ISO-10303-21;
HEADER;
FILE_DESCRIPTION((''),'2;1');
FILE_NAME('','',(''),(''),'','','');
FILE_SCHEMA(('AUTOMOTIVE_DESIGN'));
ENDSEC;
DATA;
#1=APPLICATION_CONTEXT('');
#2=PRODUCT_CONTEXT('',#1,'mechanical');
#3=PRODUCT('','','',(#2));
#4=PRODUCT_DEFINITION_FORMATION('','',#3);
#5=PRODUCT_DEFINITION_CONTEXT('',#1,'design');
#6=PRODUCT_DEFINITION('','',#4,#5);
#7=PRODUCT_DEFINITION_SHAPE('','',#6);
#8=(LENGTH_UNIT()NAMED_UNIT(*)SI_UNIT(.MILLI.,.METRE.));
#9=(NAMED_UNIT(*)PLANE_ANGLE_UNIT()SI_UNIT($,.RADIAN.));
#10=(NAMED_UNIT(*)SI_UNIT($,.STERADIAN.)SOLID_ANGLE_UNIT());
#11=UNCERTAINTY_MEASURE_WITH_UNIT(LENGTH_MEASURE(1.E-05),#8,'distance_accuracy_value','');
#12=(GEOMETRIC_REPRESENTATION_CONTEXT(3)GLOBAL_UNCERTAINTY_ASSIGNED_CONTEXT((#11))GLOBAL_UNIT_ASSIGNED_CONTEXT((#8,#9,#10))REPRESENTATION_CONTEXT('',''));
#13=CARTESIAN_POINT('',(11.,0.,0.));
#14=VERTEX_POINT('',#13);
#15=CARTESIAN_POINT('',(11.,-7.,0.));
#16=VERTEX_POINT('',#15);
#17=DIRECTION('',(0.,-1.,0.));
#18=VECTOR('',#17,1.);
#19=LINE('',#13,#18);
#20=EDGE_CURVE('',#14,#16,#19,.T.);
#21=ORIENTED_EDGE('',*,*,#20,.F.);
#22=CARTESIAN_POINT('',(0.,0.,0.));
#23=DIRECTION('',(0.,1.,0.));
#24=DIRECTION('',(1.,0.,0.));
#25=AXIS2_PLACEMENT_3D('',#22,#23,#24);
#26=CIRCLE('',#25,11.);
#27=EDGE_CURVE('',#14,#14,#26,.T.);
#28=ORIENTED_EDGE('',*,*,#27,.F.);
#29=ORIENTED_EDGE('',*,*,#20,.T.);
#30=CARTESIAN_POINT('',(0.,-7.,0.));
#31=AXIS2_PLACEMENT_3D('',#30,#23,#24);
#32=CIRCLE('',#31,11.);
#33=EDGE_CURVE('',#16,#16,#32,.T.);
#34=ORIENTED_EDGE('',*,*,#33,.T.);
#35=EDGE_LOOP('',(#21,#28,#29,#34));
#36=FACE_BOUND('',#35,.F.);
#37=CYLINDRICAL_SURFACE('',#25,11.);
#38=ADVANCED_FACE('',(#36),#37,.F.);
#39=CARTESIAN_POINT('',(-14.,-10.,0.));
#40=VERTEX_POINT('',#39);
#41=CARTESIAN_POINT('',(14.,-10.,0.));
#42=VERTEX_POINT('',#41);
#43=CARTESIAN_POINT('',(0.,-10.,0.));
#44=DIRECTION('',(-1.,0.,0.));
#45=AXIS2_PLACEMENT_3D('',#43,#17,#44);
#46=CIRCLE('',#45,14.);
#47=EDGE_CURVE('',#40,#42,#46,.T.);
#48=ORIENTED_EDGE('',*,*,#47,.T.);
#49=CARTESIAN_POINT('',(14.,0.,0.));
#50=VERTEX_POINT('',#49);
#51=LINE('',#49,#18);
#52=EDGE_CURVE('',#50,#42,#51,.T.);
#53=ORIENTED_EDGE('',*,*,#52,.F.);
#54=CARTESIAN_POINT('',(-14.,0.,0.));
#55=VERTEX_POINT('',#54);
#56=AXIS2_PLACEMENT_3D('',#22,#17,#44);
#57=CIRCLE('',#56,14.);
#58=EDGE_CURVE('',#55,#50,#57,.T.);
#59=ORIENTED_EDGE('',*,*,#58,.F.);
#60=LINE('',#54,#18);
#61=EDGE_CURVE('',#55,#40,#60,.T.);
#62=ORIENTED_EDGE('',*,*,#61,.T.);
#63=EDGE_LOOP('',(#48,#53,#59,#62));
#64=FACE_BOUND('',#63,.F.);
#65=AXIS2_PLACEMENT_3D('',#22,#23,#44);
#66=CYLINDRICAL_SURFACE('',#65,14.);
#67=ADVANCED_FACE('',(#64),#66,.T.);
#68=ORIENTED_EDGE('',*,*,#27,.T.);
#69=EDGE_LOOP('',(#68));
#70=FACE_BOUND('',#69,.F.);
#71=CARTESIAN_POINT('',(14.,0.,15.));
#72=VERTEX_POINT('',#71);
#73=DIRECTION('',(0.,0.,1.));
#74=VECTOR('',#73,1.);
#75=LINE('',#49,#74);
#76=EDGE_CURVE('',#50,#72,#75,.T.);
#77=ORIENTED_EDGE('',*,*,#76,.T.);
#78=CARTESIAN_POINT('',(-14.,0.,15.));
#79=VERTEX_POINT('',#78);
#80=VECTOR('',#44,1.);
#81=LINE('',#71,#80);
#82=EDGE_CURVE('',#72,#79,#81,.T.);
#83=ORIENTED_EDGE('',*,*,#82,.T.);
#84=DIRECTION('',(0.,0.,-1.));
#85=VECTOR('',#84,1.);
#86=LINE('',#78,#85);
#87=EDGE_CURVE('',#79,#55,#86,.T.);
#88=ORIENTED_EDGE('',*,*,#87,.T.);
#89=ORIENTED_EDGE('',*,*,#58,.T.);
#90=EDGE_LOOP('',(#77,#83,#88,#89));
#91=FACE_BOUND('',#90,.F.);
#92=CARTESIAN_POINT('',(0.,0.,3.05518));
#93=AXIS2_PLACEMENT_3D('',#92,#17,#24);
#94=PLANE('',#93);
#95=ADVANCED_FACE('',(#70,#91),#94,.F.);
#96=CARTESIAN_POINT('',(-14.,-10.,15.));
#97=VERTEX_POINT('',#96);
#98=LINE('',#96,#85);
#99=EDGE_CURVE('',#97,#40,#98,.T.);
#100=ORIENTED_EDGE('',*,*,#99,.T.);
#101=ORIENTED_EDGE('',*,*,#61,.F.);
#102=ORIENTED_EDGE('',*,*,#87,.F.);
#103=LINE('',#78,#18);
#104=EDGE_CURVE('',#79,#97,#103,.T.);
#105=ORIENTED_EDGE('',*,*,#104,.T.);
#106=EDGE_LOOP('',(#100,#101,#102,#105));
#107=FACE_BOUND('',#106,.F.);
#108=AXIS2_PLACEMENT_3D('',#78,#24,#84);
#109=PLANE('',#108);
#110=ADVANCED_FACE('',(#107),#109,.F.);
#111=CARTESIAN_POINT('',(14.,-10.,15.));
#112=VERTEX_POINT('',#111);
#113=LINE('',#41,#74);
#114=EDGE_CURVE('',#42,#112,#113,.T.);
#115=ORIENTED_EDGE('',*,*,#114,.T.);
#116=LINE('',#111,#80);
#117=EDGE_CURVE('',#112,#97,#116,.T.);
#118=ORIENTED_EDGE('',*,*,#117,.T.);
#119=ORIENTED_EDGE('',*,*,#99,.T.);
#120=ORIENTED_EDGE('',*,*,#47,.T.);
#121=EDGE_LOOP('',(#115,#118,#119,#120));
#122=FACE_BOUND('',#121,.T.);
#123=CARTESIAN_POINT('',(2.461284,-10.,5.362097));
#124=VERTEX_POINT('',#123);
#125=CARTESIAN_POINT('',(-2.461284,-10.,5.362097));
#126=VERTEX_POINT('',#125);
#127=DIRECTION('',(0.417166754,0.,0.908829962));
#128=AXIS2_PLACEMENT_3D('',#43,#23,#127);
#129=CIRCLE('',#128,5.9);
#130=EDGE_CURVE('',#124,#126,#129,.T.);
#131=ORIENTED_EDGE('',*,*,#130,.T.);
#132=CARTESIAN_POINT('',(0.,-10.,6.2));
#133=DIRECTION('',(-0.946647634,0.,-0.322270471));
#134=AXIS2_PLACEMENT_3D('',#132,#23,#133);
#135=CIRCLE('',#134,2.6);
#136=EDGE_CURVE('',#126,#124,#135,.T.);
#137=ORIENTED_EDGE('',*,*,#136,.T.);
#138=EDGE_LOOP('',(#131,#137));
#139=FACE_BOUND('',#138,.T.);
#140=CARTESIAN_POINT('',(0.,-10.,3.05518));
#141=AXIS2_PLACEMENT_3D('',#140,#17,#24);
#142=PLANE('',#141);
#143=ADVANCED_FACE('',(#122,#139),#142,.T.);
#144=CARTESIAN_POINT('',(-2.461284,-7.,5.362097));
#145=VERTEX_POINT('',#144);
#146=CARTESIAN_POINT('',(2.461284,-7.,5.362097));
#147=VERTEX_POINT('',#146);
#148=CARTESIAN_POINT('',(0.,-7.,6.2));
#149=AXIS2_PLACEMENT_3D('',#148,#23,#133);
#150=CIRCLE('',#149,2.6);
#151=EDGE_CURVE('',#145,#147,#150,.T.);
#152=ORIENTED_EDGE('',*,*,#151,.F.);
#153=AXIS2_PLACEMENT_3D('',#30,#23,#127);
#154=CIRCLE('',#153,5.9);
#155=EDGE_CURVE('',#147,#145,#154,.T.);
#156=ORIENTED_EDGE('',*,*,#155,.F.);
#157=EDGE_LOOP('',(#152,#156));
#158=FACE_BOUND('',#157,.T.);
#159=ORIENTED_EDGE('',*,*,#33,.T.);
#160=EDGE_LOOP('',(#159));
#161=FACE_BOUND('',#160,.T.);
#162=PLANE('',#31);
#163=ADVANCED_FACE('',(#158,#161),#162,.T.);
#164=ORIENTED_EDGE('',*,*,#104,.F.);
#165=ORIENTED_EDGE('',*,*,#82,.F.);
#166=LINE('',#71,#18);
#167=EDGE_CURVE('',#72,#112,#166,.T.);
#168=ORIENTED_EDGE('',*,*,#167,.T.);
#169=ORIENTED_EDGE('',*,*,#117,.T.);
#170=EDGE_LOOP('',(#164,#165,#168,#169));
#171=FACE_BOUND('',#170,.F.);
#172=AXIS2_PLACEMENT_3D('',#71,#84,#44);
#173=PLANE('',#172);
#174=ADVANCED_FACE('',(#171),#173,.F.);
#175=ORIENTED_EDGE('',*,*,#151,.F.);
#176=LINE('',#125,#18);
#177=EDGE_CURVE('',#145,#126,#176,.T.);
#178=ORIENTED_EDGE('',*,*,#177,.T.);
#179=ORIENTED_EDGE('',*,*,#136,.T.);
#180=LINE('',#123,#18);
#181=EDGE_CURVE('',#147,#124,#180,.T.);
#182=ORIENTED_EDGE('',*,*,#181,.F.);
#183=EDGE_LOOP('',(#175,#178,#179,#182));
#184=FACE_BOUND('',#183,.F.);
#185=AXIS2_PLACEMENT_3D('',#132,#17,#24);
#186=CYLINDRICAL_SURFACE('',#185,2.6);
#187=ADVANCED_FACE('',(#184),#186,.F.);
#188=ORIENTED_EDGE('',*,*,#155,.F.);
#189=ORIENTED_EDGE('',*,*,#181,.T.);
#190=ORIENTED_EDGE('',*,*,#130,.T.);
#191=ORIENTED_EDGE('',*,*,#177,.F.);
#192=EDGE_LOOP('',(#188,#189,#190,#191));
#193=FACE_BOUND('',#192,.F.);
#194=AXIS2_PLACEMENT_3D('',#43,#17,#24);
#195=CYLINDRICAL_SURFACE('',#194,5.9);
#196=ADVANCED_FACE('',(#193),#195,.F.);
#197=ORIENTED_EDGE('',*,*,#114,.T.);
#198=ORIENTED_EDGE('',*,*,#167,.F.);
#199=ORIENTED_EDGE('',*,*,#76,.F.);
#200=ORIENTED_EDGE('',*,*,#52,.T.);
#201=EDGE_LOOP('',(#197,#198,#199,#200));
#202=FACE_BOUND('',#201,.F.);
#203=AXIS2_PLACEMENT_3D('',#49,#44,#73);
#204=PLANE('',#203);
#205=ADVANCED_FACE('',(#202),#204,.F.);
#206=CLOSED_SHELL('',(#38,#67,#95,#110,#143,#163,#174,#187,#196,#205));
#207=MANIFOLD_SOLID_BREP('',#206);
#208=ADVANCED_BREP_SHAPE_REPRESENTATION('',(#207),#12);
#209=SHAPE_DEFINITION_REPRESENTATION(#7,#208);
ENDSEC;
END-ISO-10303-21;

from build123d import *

# Parameters (mm, degrees)
PAD_DEPTH       = 10
SKETCH002_R     = 11
POCKET_DEPTH    = 7
SKETCH003_R     = 5.9
POCKET001_DEPTH = 5
SKETCH004_R     = 2.6
POCKET002_DEPTH = 5


with BuildPart() as part:
    # Sketch → Pad (new body)
    with BuildSketch(Plane.XZ):
        with BuildLine():
            Line((-14, 15), (-14, 0))
            ThreePointArc((-14, 0), (0, -14), (14, 0))
            Line((14, 0), (14, 15))
            Line((14, 15), (-14, 15))
        make_face()
    extrude(amount=PAD_DEPTH)

    # Sketch002 (on Face5 of Pad) → Pocket (cut)
    with BuildSketch(Plane(origin=(0, 0, 0), x_dir=(1, 0, 0), z_dir=(0, 1, 0))):
        Circle(SKETCH002_R)
    extrude(amount=-POCKET_DEPTH, mode=Mode.SUBTRACT)

    # Sketch003 (on Face5 of Pocket) → Pocket001 (cut)
    with BuildSketch(Plane.XZ.offset(10)):
        Circle(SKETCH003_R)
    extrude(amount=-POCKET001_DEPTH, mode=Mode.SUBTRACT)

    # Sketch004 (on Face5 of Pocket001) → Pocket002 (cut)
    with BuildSketch(Plane.XZ.offset(10)):
        with Locations((0, 6.2)):
            Circle(SKETCH004_R)
    extrude(amount=-POCKET002_DEPTH, mode=Mode.SUBTRACT)


solid = part.part
